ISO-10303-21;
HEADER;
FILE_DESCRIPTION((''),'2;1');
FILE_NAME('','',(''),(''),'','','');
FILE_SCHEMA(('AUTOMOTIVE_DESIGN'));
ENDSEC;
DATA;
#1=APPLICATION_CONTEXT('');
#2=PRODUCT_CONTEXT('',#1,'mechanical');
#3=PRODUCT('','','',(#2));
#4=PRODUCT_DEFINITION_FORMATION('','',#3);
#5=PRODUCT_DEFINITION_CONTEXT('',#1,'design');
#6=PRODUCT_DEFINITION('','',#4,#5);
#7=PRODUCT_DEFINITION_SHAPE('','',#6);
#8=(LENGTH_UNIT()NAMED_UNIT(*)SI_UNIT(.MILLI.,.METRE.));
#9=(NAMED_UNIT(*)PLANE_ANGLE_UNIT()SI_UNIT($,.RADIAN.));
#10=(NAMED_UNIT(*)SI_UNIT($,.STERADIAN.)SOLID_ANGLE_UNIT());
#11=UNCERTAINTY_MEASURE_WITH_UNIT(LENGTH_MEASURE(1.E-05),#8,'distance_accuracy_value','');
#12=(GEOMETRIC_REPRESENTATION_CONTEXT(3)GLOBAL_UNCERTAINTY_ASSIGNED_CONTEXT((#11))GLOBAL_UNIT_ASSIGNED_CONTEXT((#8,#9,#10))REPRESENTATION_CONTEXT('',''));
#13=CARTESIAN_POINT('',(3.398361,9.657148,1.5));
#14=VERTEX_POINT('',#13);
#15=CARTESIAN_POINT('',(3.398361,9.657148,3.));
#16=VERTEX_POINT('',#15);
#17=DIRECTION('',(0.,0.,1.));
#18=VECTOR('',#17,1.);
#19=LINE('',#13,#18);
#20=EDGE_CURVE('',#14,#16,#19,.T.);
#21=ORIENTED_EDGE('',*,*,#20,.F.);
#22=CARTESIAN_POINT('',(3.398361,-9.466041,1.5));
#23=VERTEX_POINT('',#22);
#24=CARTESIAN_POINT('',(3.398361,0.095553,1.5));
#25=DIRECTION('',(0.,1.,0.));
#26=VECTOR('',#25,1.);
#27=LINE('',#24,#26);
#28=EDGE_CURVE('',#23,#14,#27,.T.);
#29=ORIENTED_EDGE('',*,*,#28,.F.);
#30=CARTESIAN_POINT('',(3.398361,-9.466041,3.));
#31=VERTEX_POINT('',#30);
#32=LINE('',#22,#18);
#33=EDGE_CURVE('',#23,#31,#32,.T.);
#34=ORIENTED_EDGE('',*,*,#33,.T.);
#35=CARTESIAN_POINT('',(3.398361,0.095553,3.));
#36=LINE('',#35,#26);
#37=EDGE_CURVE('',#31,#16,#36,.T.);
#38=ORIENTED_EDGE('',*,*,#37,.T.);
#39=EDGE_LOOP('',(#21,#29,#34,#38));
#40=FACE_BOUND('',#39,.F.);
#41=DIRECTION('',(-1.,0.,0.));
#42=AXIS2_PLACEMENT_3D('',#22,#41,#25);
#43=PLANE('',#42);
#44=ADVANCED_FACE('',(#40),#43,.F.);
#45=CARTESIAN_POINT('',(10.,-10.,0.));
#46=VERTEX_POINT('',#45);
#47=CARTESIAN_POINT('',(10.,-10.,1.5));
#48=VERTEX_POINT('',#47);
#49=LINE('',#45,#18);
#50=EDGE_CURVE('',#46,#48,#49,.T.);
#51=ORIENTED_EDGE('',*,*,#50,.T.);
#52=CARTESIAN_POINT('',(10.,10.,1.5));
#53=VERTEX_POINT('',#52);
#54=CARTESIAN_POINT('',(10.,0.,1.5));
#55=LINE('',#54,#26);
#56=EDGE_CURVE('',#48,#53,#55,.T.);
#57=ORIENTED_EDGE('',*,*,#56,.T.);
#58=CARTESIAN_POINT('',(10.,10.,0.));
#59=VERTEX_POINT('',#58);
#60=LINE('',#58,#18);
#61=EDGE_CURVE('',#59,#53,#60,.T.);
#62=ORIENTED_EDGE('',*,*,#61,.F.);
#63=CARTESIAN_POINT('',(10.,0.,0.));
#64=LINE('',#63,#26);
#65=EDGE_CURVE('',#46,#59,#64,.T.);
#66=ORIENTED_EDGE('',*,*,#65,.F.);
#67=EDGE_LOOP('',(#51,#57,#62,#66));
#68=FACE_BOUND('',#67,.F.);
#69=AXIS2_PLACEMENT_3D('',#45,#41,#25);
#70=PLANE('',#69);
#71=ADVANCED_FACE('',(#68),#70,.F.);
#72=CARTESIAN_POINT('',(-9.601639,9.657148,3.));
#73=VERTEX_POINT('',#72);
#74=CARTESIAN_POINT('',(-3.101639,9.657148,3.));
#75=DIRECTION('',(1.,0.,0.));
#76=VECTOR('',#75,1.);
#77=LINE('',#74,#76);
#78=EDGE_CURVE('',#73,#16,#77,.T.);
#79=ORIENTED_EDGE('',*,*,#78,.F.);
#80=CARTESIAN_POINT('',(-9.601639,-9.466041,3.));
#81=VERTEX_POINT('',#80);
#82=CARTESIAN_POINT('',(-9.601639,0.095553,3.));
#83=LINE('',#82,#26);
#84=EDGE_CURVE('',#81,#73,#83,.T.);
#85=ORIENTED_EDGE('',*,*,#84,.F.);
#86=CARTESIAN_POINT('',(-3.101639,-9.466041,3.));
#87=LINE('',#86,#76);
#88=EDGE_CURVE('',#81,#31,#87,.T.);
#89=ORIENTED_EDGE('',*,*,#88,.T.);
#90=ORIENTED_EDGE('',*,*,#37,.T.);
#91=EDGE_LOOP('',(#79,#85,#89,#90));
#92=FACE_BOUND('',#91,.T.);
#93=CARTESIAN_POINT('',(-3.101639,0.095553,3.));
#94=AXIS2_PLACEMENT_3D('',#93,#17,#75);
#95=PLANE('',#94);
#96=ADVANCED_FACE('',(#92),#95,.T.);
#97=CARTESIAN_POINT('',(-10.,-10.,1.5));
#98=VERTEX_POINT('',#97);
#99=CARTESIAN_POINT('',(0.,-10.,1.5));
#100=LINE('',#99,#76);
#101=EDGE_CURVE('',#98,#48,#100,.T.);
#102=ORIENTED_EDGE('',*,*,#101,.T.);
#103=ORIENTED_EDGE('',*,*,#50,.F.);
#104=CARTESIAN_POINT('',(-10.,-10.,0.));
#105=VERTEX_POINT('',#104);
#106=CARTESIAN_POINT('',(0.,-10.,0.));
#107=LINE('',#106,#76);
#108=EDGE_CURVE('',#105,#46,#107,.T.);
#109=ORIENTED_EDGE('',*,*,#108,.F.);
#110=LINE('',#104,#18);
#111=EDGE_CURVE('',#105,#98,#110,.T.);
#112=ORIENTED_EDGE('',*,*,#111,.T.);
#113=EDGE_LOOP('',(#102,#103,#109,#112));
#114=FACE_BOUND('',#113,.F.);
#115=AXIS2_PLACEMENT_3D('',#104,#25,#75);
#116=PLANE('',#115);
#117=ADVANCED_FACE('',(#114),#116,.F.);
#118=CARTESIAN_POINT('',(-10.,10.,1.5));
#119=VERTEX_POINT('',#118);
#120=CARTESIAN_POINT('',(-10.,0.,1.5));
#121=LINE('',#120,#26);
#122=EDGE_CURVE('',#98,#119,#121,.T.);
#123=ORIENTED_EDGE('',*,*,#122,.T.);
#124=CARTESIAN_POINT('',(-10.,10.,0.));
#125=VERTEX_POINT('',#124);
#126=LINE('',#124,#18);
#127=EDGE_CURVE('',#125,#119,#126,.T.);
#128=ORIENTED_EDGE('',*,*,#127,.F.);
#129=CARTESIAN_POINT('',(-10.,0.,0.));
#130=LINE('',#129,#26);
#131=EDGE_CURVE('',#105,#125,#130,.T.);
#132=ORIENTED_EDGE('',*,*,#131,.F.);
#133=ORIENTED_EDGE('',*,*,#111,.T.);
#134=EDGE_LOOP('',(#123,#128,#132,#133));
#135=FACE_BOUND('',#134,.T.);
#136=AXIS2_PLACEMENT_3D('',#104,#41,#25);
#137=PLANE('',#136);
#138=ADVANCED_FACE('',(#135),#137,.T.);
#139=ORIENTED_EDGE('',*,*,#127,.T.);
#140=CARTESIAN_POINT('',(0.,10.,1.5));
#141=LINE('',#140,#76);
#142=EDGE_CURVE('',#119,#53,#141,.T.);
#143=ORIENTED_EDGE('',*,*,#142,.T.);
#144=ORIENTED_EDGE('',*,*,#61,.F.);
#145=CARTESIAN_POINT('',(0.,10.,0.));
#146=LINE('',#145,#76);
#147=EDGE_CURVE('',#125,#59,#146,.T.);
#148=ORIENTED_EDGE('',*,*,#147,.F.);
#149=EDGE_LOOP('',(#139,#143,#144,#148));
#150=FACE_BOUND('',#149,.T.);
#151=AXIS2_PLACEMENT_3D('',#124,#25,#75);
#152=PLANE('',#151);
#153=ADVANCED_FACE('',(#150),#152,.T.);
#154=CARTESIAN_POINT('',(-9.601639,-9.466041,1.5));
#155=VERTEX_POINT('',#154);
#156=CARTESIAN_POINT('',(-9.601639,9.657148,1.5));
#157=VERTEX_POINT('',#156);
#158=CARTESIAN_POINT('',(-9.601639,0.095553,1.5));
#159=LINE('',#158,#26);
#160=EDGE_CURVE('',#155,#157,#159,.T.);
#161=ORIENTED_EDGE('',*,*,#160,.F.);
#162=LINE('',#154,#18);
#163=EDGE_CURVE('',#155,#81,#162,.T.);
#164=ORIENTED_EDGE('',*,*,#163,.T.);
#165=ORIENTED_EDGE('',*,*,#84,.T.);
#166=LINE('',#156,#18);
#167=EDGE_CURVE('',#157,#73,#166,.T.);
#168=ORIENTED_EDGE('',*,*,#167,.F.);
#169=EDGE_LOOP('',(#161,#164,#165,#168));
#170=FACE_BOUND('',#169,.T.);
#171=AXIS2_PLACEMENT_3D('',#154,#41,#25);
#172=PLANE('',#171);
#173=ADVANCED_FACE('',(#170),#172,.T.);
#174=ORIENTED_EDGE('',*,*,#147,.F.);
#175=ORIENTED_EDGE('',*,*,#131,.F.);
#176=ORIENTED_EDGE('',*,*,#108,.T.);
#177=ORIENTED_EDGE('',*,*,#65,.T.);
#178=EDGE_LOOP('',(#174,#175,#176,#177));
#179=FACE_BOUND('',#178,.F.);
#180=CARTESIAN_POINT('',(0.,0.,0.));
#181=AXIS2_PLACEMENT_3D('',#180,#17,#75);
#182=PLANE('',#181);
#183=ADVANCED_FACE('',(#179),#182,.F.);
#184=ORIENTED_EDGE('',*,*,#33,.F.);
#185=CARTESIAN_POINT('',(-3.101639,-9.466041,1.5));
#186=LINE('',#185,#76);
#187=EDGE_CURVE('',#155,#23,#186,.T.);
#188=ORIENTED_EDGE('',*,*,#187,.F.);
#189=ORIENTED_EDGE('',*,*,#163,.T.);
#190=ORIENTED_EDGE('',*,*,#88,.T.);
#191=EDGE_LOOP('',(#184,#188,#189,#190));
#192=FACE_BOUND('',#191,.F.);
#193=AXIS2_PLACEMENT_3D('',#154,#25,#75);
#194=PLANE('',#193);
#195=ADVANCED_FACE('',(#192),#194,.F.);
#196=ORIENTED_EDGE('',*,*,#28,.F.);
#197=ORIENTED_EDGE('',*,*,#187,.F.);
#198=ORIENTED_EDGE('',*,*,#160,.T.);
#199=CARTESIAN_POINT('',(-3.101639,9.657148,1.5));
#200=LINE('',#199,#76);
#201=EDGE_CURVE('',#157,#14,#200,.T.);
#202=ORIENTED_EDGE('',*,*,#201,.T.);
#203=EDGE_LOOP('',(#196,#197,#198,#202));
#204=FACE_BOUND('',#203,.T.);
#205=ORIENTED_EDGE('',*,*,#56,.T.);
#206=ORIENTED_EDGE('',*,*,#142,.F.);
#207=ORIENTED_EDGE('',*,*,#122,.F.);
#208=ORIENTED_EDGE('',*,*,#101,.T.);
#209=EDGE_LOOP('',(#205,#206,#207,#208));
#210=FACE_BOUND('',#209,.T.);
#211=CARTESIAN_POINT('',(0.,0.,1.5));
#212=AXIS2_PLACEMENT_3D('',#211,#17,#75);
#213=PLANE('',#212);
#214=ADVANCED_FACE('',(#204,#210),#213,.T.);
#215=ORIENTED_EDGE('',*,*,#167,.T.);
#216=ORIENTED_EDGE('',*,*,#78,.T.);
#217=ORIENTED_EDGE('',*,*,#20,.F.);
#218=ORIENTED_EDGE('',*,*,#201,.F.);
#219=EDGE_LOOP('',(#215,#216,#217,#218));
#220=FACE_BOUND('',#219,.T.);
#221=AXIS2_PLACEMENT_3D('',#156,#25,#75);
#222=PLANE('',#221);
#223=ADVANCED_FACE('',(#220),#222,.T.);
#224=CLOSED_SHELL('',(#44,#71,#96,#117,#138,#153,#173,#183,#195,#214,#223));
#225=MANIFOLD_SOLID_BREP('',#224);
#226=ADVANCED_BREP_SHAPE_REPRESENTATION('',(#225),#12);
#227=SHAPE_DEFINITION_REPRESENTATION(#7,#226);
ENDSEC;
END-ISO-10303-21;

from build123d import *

# Parameters (mm, degrees)
F0_W     = 20
F0_H     = 20
F1_DEPTH = 1.5
F3_W     = 13
F3_H     = 19.123189
F4_DEPTH = 1.5


with BuildPart() as f1:
    # F0 (on Top) → F1 (new body)
    with BuildSketch(Plane.XY):
        Rectangle(F0_W, F0_H)
    extrude(amount=F1_DEPTH)

    # F3 (on offset) → F4 (join)
    with BuildSketch(Plane.XY.offset(1.5)):
        with Locations((-3.101639, 0.095553)):
            Rectangle(F3_W, F3_H)
    extrude(amount=F4_DEPTH)


solid = f1.part
